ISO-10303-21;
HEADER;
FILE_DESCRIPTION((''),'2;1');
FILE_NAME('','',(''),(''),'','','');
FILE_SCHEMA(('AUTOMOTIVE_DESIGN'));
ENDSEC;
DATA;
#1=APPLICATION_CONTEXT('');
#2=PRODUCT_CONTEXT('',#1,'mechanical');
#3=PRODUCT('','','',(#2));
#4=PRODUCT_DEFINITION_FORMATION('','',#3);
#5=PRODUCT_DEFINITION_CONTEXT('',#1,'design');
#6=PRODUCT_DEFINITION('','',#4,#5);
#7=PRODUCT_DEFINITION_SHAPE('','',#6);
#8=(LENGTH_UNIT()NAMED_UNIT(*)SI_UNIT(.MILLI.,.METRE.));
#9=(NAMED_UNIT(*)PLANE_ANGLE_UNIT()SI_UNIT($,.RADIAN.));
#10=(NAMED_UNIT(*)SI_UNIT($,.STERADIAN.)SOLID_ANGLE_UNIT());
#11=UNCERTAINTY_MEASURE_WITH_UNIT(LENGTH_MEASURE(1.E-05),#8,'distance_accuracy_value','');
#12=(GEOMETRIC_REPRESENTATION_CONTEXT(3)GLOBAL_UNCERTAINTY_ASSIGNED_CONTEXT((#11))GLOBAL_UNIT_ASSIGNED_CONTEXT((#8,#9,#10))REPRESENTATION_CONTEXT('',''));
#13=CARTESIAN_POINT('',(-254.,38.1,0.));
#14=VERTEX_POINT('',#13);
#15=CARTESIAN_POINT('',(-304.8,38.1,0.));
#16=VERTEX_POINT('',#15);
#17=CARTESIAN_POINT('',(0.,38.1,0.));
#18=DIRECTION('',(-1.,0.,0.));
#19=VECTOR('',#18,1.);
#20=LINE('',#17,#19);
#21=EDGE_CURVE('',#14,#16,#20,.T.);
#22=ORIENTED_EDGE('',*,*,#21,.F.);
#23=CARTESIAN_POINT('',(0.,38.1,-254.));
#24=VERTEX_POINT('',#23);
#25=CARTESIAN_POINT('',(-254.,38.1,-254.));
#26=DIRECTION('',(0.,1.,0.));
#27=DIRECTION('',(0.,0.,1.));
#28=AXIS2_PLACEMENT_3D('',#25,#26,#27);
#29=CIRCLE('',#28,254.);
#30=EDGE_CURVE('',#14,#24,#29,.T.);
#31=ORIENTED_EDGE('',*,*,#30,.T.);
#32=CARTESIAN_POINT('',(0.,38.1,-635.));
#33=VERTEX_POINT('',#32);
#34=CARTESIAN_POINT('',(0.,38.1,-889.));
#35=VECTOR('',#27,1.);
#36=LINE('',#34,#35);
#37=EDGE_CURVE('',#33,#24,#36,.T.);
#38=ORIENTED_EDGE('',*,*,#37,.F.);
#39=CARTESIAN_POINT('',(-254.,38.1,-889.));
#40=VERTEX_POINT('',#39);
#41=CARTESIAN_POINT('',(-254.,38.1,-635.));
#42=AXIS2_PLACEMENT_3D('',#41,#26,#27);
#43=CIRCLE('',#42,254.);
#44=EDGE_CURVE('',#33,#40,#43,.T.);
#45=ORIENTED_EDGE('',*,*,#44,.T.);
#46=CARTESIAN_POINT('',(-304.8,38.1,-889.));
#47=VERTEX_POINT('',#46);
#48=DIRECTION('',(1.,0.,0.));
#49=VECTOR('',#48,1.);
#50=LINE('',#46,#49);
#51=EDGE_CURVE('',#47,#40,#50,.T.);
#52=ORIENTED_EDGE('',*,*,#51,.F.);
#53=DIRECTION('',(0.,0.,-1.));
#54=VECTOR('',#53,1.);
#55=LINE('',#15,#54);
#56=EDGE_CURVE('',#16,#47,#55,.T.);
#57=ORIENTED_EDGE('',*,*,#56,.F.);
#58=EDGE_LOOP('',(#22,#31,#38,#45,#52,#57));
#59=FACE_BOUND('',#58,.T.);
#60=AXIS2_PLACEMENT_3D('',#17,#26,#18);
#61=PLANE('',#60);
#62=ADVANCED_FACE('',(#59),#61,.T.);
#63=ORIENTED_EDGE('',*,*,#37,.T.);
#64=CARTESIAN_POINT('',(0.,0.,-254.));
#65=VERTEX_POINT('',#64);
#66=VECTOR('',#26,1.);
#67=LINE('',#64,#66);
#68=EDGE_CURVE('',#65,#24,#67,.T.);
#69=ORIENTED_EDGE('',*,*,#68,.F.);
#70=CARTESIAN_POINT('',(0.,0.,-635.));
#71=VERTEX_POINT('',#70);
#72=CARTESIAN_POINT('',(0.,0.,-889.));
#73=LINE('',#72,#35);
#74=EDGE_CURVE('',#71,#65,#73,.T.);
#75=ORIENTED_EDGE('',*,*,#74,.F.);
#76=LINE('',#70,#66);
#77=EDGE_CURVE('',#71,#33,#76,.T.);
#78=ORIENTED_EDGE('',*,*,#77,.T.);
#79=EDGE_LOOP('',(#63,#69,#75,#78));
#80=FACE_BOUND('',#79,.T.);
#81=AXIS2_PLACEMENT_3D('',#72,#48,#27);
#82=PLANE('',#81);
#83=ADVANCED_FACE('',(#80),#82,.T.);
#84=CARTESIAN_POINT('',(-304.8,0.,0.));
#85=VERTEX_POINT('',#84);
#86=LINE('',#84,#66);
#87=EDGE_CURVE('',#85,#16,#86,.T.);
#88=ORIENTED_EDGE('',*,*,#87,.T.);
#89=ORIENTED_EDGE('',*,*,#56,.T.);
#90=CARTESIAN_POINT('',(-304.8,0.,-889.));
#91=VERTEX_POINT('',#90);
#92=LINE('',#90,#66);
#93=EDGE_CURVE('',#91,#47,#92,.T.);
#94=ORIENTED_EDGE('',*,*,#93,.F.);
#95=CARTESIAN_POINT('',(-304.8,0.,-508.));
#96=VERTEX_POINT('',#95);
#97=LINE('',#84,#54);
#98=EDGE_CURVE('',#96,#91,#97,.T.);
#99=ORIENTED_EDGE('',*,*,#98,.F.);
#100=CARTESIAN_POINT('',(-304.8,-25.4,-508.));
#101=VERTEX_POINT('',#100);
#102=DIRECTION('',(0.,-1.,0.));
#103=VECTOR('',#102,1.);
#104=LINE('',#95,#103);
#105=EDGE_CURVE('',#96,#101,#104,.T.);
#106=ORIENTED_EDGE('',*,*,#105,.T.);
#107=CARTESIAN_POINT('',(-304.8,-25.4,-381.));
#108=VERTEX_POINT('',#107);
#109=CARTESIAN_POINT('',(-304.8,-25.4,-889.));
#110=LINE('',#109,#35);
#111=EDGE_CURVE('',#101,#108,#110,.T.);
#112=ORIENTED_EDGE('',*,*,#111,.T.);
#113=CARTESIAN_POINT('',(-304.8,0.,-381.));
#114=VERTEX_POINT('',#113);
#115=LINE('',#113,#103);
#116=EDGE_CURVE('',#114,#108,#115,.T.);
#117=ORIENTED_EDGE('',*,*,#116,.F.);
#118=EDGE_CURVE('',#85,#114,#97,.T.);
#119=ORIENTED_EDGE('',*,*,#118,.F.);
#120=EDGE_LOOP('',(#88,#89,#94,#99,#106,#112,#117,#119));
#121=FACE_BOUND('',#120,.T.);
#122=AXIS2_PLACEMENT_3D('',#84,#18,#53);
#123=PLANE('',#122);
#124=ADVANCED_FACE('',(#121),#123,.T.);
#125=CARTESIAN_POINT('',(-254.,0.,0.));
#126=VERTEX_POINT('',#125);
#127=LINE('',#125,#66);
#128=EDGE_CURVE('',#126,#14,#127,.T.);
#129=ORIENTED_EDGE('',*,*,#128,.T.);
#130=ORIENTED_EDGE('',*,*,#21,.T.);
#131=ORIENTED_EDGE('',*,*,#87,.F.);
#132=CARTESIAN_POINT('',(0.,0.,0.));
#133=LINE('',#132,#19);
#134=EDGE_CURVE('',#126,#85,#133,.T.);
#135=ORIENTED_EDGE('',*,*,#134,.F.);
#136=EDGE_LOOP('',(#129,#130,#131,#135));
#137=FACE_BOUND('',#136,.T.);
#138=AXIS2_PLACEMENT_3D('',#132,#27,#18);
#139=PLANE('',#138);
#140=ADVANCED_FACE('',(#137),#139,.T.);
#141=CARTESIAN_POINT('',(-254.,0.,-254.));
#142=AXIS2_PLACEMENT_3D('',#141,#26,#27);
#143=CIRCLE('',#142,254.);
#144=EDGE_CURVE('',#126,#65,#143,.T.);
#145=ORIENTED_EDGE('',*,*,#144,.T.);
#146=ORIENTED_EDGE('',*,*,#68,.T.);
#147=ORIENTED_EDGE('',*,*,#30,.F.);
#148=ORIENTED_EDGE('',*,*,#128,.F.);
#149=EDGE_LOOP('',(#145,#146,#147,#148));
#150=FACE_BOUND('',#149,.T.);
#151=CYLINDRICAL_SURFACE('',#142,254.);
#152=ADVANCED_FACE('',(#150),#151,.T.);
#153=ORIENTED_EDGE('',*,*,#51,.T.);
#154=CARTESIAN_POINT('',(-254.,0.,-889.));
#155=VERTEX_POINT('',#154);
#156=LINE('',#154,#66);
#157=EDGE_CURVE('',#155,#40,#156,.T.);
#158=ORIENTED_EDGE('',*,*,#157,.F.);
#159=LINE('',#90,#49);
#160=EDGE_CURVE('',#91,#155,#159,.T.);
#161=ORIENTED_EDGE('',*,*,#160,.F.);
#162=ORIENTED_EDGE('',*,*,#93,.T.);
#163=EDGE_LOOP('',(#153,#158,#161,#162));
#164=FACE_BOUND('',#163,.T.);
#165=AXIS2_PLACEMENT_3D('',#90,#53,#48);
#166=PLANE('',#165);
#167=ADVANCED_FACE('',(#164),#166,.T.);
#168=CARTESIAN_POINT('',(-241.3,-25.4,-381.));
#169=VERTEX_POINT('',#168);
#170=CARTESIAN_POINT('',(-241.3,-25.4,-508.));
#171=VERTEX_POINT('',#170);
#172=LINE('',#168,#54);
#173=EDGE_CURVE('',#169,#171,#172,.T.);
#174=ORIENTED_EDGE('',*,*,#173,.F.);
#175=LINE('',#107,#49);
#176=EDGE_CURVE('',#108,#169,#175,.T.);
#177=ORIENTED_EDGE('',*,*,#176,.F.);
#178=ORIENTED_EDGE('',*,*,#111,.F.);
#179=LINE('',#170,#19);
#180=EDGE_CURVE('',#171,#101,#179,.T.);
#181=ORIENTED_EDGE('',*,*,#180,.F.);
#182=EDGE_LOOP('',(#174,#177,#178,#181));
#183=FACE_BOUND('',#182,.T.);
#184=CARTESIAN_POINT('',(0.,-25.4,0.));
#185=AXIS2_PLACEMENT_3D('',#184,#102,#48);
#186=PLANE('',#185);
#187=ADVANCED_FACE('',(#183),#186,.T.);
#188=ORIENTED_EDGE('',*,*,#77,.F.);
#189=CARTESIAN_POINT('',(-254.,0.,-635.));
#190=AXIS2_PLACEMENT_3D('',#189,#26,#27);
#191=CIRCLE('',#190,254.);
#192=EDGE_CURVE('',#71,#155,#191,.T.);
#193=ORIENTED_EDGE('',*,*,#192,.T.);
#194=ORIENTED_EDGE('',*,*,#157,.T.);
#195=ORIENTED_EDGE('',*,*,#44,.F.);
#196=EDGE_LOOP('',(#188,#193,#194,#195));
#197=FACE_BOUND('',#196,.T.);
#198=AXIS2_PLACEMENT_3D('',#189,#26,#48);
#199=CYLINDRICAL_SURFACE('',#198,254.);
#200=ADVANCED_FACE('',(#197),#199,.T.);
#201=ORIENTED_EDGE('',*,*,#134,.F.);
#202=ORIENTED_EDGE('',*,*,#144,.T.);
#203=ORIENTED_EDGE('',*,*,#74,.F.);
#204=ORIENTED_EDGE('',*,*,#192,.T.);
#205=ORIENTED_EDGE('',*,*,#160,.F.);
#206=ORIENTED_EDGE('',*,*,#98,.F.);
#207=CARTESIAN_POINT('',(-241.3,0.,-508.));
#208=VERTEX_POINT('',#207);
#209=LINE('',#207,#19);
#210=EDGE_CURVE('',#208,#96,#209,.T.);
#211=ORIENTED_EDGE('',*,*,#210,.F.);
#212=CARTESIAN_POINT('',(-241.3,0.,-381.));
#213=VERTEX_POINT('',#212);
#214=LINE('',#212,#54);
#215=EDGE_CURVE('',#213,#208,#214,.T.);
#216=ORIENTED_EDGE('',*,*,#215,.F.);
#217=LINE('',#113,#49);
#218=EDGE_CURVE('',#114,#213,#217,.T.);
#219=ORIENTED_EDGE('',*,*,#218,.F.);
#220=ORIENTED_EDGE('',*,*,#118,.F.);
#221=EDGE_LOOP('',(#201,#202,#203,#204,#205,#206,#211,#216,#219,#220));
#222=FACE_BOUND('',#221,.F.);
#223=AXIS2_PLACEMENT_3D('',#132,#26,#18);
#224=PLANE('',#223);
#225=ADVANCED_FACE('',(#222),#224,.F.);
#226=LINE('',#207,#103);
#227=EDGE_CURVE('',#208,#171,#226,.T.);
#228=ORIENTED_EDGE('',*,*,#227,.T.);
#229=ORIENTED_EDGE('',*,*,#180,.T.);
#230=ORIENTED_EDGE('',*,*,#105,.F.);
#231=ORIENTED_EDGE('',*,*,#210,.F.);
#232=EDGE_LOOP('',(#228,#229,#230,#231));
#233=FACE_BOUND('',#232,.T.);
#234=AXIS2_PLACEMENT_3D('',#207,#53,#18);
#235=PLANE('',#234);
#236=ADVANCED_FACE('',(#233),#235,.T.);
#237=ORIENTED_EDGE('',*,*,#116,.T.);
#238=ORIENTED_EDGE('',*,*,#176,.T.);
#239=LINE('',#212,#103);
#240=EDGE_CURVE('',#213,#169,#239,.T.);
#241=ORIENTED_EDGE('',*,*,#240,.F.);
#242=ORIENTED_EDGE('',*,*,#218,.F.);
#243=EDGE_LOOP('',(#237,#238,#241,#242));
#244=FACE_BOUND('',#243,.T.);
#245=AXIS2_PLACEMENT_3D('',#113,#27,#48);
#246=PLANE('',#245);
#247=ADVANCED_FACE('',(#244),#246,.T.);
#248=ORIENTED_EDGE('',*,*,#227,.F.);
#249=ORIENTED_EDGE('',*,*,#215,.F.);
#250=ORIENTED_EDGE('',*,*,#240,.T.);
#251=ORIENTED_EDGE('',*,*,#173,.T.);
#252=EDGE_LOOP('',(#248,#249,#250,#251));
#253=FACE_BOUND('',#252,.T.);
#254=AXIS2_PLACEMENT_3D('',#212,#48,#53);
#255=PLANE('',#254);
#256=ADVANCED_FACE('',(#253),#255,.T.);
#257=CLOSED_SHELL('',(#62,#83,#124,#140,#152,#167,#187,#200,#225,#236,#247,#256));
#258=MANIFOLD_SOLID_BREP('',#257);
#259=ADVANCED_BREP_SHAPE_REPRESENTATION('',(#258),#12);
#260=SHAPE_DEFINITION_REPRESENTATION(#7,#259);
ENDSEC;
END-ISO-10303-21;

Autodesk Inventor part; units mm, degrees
ref_plane "YZ Plane" through (0, 0, 0) normal (1, 0, 0) x (0, 1, 0)
ref_plane "XZ Plane" through (0, 0, 0) normal (0, 1, 0) x (-1, 0, 0)
ref_plane "XY Plane" through (0, 0, 0) normal (0, 0, 1) x (1, 0, 0)
sketch "Sketch1" plane through (0, 0, 0) normal (0, 1, 0) x (-1, 0, 0)
  line L0 (0, 0) -> (304.8, 0)
  line L1 (304.8, 0) -> (304.8, -889)
  line L2 (304.8, -889) -> (0, -889)
  line L3 (0, -889) -> (0, 0)
  dimension "d0" = 889
  dimension "d1" = 304.8
extrude "Extrusion1" add sketch "Sketch1" along normal blind 38.1
fillet "Fillet1" radius 254 1 edges at (0, 19.05, 0)
fillet "Fillet2" radius 254 1 edges at (0, 19.05, -889)
sketch "Sketch2" plane through (0, 0, 0) normal (0, -1, 0) x (1, 0, 0)
  line L0 (-254, -889) -> (-304.8, -889) projected
  line L1 (-304.8, -889) -> (-304.8, 0) projected
  line L2 (-304.8, -889) -> (-304.8, 0)
  line L3 (-304.8, 0) -> (-304.8, -381)
  line L4 (-304.8, -381) -> (-241.3, -381)
  line L5 (-241.3, -381) -> (-241.3, -508)
  line L6 (-241.3, -508) -> (-304.8, -508)
  line L7 (-304.8, -889) -> (-304.8, -508)
  line L8 (-304.8, -508) -> (-241.3, -508)
  line L9 (-241.3, -508) -> (-241.3, -381)
  line L10 (-241.3, -381) -> (-304.8, -381)
  point P0 (0, 0)
  dimension "d6" = 381
  dimension "d7" = 63.5
  dimension "d8" = 127
  dimension "d9" = 381
  dimension "d10" = 127
extrude "Extrusion2" add sketch "Sketch2" along normal blind 25.4
properties part number "Shelf-ver2-1111-2021" material "Aluminum 6061"
